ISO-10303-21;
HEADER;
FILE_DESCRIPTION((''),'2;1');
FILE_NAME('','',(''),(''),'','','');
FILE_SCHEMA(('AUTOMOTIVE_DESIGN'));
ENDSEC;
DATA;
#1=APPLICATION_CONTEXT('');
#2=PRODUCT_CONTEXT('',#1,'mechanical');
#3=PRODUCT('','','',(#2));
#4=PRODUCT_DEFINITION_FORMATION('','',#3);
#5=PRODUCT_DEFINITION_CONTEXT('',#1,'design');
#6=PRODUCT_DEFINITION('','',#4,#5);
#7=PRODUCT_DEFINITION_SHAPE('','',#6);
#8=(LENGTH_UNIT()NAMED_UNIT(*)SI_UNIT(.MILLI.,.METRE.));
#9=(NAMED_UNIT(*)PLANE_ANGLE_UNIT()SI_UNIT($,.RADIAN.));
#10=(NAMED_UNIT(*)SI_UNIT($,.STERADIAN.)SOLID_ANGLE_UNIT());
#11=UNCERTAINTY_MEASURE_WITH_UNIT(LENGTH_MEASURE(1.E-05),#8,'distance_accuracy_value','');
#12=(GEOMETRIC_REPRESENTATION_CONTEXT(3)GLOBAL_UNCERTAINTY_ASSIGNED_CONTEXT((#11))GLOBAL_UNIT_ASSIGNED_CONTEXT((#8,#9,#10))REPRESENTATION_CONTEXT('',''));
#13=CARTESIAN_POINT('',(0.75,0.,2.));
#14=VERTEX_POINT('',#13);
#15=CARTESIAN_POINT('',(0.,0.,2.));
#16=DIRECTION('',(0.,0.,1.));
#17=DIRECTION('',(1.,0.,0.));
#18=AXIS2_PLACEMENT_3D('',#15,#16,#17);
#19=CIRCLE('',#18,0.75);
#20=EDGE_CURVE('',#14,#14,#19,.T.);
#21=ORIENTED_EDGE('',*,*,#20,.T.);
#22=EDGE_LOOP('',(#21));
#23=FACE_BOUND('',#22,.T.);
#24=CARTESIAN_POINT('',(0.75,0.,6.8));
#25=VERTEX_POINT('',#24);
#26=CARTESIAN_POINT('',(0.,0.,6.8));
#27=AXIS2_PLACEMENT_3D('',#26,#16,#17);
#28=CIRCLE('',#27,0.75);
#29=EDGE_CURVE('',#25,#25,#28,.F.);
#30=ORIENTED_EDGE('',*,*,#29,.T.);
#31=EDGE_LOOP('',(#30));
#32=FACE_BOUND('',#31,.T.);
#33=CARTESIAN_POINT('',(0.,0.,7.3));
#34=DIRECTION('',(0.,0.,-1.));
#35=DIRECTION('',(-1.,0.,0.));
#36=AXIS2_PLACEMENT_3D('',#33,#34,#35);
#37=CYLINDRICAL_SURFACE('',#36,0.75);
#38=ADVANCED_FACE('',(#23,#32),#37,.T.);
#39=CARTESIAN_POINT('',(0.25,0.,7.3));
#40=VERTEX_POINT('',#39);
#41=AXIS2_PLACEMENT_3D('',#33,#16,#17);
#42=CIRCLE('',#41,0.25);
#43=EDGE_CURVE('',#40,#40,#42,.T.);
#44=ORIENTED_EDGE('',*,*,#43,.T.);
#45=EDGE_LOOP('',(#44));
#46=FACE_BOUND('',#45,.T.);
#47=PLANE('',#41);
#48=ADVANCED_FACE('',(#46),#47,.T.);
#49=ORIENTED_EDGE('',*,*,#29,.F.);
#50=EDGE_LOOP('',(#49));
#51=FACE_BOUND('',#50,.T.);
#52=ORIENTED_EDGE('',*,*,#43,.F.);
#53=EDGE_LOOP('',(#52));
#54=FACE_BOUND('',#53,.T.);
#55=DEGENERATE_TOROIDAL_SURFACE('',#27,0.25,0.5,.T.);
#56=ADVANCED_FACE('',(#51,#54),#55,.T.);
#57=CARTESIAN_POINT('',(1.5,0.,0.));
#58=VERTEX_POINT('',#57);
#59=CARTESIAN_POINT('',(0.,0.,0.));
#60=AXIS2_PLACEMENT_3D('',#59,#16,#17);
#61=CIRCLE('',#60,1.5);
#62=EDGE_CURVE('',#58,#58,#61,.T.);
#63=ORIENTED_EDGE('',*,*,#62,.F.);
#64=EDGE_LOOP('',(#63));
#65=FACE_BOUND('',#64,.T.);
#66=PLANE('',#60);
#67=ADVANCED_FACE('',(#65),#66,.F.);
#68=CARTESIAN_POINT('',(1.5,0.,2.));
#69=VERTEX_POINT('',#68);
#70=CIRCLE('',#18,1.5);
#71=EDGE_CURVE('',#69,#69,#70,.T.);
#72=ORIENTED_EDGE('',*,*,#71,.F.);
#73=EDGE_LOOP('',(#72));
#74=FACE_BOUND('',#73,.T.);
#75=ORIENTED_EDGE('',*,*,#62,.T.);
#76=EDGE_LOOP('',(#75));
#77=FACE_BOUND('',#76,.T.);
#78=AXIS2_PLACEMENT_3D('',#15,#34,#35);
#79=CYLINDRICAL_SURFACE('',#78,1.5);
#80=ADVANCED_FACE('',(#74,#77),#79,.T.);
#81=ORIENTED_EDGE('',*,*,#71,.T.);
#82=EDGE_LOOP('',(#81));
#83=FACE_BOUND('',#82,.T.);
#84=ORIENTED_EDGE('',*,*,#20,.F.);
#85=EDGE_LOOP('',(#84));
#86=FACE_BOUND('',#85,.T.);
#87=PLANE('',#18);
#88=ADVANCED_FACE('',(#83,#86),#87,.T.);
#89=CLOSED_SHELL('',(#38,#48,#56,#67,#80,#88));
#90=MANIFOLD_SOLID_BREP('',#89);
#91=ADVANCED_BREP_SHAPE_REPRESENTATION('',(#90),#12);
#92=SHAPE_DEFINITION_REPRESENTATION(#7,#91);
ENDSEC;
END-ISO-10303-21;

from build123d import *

# Parameters (mm, degrees)
SKETCH1_R           = 1.5
BOSS_EXTRUDE1_DEPTH = 2
SKETCH2_R           = 0.75
BOSS_EXTRUDE2_DEPTH = 5.3
FILLET1_R           = 0.5


with BuildPart() as part:
    # Sketch1 → Boss-Extrude1 (new body)
    with BuildSketch(Plane.XY):
        Circle(SKETCH1_R)
    extrude(amount=BOSS_EXTRUDE1_DEPTH)

    # Sketch2 → Boss-Extrude2 (add)
    with BuildSketch(Plane.XY.offset(2)):
        Circle(SKETCH2_R)
    extrude(amount=BOSS_EXTRUDE2_DEPTH)

    # Fillet1
    fillet1_edges = [part.edges().sort_by_distance(p)[0] for p in [
        (-0.75, 0, 7.3),
    ]]
    fillet(fillet1_edges, radius=FILLET1_R)


solid = part.part
